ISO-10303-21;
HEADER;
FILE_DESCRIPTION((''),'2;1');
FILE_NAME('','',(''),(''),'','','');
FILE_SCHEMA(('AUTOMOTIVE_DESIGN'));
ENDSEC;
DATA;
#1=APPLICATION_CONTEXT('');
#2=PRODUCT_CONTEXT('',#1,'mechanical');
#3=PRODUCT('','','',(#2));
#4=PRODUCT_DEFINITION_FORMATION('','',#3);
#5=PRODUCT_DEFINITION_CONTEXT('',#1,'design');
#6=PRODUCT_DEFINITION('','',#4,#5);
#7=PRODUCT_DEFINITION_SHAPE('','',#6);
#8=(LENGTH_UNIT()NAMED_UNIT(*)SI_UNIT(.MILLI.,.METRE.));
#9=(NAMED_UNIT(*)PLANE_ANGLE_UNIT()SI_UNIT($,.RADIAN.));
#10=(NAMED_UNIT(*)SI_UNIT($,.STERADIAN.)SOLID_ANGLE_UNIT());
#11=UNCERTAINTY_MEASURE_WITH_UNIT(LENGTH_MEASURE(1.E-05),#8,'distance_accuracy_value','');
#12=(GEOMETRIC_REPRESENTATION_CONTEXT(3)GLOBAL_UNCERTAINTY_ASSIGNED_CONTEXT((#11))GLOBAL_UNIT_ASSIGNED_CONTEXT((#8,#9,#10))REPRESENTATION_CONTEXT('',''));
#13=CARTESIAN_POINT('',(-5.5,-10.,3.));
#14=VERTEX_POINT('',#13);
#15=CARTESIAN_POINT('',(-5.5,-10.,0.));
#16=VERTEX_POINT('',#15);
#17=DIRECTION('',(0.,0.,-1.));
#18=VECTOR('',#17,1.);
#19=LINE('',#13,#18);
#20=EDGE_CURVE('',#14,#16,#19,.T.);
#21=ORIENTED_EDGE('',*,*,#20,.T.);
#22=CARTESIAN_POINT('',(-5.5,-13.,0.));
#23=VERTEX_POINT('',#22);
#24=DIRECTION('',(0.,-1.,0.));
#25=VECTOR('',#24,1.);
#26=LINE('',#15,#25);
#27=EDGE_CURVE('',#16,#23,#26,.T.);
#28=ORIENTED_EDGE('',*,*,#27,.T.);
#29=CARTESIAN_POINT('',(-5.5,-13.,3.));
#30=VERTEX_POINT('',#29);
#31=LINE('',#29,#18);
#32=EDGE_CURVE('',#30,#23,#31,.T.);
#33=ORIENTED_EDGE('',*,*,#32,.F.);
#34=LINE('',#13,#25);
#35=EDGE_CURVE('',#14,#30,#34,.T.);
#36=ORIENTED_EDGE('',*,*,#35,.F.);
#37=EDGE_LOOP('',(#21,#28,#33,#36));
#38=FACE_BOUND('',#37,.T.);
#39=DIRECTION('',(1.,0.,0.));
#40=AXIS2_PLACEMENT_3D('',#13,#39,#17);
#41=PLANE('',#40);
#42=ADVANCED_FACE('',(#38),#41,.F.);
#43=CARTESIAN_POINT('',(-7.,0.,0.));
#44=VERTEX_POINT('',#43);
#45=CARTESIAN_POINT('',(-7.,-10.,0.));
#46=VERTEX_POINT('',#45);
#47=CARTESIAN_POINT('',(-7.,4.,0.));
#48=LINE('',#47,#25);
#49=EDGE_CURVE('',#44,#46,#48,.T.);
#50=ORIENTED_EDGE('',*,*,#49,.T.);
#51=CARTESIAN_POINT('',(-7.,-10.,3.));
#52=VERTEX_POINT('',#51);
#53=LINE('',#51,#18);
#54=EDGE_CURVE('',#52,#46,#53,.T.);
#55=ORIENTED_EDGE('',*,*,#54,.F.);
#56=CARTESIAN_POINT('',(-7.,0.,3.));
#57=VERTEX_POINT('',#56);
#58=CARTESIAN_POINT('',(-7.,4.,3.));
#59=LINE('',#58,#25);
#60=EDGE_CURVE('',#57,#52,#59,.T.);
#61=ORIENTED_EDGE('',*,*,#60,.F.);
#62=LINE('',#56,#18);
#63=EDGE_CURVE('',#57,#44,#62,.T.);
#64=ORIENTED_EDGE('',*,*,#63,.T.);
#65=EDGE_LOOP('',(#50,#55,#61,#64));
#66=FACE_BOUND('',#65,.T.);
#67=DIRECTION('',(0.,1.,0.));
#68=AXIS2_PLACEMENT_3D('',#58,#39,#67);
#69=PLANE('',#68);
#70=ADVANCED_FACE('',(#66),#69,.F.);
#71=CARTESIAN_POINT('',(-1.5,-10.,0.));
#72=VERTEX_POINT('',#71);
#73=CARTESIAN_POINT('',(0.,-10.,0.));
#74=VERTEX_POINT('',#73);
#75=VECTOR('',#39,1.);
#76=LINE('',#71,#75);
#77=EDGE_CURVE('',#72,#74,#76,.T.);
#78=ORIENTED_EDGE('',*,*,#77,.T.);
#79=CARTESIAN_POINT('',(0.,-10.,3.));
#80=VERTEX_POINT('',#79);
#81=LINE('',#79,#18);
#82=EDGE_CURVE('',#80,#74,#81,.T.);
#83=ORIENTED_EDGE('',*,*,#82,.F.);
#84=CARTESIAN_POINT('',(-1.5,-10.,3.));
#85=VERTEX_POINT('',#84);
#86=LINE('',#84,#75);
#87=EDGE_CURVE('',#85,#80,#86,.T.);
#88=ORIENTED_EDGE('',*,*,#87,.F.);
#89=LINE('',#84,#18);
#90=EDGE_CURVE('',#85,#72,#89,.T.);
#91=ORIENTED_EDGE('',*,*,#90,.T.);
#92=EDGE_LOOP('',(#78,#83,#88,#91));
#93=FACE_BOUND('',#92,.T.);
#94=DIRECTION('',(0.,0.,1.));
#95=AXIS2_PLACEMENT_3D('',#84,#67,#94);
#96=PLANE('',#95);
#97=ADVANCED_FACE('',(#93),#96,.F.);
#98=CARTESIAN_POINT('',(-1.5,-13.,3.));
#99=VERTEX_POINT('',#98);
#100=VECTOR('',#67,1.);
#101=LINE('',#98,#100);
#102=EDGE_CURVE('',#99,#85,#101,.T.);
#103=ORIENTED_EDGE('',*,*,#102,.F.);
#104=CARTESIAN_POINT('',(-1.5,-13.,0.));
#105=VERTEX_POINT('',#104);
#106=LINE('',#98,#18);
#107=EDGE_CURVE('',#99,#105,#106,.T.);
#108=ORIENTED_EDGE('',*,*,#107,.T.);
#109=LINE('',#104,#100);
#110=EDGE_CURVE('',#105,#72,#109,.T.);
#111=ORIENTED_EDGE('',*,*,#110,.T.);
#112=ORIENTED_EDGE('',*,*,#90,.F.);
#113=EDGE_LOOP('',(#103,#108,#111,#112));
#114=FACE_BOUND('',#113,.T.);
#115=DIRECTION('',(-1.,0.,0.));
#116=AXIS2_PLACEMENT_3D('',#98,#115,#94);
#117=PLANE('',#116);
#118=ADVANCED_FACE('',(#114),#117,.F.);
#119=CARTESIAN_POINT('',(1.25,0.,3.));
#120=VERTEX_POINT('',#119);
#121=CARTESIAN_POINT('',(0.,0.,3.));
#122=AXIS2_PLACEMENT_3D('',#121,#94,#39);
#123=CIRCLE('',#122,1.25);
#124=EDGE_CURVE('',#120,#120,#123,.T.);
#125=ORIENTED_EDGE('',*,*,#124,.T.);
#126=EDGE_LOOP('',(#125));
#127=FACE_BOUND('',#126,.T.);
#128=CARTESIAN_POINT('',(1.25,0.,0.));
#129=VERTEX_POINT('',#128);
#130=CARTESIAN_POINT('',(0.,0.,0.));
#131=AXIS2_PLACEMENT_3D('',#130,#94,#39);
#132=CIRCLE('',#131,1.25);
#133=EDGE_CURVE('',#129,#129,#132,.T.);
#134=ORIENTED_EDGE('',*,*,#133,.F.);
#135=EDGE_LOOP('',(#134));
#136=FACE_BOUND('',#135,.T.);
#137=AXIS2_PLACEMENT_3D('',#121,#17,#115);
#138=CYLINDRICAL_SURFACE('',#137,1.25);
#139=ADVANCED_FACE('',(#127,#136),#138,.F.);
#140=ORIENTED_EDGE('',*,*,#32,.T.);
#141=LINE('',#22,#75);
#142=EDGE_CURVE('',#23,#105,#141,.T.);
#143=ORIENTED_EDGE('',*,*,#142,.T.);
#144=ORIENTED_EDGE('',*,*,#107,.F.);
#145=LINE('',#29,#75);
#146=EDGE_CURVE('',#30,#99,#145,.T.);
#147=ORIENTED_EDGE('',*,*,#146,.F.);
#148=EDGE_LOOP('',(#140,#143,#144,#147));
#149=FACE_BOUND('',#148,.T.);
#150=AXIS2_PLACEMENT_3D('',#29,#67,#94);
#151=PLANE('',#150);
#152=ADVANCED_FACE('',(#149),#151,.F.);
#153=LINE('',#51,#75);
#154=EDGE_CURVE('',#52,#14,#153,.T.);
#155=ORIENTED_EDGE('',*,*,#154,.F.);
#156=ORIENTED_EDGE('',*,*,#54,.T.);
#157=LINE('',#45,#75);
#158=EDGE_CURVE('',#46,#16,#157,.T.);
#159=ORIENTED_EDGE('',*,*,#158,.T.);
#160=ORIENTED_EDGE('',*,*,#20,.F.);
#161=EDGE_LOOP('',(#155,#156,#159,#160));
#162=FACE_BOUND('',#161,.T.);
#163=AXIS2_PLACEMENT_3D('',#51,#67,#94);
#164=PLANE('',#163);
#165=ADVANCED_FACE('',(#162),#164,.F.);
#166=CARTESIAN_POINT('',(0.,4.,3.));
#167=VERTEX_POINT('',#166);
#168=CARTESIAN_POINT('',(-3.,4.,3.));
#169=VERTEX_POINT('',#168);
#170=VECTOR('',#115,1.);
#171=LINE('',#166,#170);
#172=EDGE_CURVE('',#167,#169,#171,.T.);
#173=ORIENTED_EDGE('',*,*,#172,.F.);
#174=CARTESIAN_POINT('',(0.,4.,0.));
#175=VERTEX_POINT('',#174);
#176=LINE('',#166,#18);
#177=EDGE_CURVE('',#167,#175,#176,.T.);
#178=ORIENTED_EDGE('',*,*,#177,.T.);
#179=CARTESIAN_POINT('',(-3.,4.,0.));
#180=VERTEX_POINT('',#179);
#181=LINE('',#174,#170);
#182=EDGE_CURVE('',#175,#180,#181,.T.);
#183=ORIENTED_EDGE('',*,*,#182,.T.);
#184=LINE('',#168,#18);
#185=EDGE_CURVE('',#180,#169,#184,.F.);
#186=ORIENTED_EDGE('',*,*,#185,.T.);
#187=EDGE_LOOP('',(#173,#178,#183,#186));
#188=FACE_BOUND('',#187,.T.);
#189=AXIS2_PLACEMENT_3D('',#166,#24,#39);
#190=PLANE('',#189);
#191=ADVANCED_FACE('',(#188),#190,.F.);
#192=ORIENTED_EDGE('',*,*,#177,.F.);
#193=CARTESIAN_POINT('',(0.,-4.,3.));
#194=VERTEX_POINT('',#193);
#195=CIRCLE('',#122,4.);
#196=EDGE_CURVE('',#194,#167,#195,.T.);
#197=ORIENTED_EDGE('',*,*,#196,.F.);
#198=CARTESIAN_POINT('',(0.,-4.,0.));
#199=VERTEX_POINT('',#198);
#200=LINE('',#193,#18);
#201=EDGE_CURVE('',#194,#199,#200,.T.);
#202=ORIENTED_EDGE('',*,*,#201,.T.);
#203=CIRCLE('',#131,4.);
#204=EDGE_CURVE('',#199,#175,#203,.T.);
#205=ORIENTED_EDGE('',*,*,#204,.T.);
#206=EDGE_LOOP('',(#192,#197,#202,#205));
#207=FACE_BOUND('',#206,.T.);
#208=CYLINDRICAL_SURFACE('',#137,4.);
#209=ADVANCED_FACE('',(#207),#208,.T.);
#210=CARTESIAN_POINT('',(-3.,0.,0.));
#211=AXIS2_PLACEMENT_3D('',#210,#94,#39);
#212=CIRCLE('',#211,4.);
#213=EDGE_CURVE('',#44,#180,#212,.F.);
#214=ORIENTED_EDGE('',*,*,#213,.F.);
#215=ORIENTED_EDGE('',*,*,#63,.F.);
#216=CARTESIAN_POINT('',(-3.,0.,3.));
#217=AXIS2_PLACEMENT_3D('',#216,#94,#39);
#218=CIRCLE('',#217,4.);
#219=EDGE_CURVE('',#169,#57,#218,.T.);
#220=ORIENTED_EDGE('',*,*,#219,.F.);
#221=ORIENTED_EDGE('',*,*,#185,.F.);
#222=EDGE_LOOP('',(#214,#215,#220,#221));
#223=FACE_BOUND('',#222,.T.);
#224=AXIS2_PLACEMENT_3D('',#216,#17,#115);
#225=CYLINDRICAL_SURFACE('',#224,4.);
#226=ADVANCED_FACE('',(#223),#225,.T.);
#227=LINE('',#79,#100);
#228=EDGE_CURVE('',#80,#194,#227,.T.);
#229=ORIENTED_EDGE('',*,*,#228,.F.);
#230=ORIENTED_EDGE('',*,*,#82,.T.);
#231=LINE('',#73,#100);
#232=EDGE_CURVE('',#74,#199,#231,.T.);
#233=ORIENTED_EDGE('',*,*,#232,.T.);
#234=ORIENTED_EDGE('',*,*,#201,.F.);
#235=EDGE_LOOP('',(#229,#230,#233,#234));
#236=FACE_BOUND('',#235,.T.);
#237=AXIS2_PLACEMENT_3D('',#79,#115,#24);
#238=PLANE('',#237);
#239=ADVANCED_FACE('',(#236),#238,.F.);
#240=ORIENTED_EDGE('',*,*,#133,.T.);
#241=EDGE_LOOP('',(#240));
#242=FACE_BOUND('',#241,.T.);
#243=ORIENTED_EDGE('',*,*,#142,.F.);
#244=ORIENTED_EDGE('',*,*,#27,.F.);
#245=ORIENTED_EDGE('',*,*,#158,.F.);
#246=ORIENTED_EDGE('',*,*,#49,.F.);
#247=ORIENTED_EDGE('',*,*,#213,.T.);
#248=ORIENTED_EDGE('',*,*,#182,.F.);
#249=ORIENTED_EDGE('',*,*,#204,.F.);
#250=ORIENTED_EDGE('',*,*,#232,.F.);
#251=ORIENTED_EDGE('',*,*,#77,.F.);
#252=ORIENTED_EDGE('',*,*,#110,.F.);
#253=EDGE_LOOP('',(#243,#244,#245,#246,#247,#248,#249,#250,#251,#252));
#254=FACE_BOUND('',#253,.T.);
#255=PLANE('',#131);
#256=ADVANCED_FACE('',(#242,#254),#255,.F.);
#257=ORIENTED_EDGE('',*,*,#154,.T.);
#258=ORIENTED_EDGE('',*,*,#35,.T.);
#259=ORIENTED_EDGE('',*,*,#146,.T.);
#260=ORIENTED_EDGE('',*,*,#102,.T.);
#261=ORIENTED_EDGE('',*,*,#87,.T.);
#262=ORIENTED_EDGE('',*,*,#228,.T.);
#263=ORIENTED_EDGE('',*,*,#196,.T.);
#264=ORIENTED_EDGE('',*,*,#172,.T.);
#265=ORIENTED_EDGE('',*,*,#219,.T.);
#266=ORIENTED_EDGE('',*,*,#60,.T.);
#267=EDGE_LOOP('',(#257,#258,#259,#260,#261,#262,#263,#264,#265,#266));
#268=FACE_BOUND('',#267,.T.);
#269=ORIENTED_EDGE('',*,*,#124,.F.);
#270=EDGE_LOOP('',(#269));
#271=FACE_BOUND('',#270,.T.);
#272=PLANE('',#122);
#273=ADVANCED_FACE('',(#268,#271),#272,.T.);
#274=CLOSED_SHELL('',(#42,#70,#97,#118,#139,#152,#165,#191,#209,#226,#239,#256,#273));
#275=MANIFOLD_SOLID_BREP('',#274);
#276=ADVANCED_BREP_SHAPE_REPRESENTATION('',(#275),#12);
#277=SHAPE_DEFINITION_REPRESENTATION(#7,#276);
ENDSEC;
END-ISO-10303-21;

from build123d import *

# Parameters (mm, degrees)
SKETCH1_R           = 1.25
BOSS_EXTRUDE1_DEPTH = 3
FILLET1_R           = 4


with BuildPart() as part:
    # Sketch1 → Boss-Extrude1 (new body)
    with BuildSketch(Plane.XY):
        with BuildLine():
            Line((-7, 4), (-7, -10))
            Line((-7, -10), (-5.5, -10))
            Line((-5.5, -10), (-5.5, -13))
            Line((-5.5, -13), (-1.5, -13))
            Line((-1.5, -13), (-1.5, -10))
            Line((-1.5, -10), (0, -10))
            Line((0, -10), (0, -4))
            ThreePointArc((0, -4), (4, 0), (0, 4))
            Line((0, 4), (-7, 4))
        make_face()
        Circle(SKETCH1_R, mode=Mode.SUBTRACT)
    extrude(amount=BOSS_EXTRUDE1_DEPTH)

    # Fillet1
    fillet1_edges = [part.edges().sort_by_distance(p)[0] for p in [
        (-7, 4, 1.5),
    ]]
    fillet(fillet1_edges, radius=FILLET1_R)


solid = part.part
